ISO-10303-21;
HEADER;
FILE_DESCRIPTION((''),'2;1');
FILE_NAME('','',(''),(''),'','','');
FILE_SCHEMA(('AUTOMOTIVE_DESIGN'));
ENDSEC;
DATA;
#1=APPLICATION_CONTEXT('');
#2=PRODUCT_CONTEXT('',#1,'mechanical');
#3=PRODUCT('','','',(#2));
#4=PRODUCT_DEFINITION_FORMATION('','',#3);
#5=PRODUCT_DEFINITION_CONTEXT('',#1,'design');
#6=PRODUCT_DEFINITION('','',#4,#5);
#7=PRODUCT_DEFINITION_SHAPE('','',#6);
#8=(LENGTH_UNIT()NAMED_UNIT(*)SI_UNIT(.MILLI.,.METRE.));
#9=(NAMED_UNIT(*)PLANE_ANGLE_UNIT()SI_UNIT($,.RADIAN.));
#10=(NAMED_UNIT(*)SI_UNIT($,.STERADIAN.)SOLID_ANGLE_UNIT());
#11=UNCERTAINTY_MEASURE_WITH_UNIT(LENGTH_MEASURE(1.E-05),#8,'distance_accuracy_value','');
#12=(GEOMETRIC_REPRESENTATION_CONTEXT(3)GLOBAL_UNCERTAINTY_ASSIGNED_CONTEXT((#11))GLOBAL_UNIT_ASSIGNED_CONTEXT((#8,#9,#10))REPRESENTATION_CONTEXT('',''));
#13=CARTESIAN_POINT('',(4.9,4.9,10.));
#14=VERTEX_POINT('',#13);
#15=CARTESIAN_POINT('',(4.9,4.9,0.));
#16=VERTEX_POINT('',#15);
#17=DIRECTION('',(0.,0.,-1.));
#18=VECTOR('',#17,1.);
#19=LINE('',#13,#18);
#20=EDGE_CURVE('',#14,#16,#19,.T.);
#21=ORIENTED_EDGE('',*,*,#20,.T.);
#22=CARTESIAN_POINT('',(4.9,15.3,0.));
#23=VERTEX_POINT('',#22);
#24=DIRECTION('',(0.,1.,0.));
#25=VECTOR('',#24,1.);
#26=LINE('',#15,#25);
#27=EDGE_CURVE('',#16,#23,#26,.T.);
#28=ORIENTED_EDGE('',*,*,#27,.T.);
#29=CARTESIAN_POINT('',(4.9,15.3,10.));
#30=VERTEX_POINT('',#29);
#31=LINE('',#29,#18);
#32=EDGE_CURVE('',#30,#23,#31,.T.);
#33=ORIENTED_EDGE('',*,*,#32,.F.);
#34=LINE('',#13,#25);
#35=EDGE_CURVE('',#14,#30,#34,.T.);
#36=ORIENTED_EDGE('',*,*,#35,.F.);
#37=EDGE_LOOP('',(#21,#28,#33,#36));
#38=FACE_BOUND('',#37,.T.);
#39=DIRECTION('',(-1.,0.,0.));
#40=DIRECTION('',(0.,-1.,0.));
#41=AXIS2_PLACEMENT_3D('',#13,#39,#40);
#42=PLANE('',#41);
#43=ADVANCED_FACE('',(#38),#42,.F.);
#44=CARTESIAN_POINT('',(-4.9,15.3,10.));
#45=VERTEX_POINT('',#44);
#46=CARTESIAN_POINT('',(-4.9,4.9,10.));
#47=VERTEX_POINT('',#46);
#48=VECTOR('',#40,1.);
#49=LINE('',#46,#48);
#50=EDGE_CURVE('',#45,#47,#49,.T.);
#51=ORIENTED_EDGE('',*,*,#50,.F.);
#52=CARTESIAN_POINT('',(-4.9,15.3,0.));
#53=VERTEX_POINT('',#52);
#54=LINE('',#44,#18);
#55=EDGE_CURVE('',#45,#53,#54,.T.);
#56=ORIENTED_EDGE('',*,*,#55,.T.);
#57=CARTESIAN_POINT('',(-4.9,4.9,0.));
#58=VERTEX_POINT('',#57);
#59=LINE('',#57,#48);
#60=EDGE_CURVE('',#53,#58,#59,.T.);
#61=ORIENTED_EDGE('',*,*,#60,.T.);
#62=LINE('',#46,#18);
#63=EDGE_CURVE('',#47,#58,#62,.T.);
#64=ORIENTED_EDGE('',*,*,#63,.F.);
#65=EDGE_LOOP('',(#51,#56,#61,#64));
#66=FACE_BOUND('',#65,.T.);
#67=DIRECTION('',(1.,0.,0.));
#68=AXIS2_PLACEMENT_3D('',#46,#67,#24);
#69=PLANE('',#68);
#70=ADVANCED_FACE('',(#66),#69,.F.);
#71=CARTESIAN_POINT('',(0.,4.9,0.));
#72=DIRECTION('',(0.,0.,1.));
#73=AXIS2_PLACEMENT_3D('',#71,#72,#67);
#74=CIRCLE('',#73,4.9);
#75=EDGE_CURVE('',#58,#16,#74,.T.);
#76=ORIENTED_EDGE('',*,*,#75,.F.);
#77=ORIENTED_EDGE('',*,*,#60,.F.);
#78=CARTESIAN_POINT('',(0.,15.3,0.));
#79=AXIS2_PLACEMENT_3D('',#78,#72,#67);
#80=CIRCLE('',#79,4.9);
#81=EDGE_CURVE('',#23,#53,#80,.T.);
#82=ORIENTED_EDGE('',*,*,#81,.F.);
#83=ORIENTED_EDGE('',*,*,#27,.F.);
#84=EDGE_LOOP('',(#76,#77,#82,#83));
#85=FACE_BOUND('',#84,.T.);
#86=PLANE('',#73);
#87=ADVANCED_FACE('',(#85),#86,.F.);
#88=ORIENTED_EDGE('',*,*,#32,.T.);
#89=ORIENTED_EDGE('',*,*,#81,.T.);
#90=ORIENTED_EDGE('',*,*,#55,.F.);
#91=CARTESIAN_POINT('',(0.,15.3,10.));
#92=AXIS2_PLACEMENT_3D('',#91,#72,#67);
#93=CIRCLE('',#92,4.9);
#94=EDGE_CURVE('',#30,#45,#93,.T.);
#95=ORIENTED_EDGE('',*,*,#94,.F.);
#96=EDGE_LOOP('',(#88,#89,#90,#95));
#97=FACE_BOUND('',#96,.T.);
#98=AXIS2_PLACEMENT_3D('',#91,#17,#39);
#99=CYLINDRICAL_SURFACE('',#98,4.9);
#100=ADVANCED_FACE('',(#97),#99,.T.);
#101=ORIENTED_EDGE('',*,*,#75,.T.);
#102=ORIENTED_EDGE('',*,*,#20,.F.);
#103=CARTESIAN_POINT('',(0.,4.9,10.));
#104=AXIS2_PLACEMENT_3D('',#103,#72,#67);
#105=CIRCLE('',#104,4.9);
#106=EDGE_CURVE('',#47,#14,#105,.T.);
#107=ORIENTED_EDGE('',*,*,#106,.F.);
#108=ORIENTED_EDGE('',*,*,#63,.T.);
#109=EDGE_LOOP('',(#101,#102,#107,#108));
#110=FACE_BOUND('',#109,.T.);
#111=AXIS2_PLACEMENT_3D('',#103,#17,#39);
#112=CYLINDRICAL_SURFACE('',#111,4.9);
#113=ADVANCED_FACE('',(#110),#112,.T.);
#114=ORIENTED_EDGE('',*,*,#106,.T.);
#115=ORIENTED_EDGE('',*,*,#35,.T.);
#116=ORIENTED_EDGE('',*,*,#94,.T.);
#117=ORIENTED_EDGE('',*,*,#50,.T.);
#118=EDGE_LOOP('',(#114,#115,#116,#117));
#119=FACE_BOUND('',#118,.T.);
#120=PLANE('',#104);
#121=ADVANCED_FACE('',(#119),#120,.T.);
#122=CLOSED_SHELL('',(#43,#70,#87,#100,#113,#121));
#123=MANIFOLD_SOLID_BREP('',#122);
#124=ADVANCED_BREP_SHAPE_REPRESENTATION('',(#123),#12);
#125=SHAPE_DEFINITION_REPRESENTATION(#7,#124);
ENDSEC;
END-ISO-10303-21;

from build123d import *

# Parameters (mm, degrees)
BOSS_EXTRUDE1_DEPTH = 10


with BuildPart() as part:
    # Sketch1 → Boss-Extrude1 (new body)
    with BuildSketch(Plane.XY):
        with BuildLine():
            Line((-4.9, 4.9), (-4.9, 15.3))
            ThreePointArc((-4.9, 15.3), (0, 20.2), (4.9, 15.3))
            Line((4.9, 15.3), (4.9, 4.9))
            ThreePointArc((4.9, 4.9), (0, 0), (-4.9, 4.9))
        make_face()
    extrude(amount=BOSS_EXTRUDE1_DEPTH)


solid = part.part
